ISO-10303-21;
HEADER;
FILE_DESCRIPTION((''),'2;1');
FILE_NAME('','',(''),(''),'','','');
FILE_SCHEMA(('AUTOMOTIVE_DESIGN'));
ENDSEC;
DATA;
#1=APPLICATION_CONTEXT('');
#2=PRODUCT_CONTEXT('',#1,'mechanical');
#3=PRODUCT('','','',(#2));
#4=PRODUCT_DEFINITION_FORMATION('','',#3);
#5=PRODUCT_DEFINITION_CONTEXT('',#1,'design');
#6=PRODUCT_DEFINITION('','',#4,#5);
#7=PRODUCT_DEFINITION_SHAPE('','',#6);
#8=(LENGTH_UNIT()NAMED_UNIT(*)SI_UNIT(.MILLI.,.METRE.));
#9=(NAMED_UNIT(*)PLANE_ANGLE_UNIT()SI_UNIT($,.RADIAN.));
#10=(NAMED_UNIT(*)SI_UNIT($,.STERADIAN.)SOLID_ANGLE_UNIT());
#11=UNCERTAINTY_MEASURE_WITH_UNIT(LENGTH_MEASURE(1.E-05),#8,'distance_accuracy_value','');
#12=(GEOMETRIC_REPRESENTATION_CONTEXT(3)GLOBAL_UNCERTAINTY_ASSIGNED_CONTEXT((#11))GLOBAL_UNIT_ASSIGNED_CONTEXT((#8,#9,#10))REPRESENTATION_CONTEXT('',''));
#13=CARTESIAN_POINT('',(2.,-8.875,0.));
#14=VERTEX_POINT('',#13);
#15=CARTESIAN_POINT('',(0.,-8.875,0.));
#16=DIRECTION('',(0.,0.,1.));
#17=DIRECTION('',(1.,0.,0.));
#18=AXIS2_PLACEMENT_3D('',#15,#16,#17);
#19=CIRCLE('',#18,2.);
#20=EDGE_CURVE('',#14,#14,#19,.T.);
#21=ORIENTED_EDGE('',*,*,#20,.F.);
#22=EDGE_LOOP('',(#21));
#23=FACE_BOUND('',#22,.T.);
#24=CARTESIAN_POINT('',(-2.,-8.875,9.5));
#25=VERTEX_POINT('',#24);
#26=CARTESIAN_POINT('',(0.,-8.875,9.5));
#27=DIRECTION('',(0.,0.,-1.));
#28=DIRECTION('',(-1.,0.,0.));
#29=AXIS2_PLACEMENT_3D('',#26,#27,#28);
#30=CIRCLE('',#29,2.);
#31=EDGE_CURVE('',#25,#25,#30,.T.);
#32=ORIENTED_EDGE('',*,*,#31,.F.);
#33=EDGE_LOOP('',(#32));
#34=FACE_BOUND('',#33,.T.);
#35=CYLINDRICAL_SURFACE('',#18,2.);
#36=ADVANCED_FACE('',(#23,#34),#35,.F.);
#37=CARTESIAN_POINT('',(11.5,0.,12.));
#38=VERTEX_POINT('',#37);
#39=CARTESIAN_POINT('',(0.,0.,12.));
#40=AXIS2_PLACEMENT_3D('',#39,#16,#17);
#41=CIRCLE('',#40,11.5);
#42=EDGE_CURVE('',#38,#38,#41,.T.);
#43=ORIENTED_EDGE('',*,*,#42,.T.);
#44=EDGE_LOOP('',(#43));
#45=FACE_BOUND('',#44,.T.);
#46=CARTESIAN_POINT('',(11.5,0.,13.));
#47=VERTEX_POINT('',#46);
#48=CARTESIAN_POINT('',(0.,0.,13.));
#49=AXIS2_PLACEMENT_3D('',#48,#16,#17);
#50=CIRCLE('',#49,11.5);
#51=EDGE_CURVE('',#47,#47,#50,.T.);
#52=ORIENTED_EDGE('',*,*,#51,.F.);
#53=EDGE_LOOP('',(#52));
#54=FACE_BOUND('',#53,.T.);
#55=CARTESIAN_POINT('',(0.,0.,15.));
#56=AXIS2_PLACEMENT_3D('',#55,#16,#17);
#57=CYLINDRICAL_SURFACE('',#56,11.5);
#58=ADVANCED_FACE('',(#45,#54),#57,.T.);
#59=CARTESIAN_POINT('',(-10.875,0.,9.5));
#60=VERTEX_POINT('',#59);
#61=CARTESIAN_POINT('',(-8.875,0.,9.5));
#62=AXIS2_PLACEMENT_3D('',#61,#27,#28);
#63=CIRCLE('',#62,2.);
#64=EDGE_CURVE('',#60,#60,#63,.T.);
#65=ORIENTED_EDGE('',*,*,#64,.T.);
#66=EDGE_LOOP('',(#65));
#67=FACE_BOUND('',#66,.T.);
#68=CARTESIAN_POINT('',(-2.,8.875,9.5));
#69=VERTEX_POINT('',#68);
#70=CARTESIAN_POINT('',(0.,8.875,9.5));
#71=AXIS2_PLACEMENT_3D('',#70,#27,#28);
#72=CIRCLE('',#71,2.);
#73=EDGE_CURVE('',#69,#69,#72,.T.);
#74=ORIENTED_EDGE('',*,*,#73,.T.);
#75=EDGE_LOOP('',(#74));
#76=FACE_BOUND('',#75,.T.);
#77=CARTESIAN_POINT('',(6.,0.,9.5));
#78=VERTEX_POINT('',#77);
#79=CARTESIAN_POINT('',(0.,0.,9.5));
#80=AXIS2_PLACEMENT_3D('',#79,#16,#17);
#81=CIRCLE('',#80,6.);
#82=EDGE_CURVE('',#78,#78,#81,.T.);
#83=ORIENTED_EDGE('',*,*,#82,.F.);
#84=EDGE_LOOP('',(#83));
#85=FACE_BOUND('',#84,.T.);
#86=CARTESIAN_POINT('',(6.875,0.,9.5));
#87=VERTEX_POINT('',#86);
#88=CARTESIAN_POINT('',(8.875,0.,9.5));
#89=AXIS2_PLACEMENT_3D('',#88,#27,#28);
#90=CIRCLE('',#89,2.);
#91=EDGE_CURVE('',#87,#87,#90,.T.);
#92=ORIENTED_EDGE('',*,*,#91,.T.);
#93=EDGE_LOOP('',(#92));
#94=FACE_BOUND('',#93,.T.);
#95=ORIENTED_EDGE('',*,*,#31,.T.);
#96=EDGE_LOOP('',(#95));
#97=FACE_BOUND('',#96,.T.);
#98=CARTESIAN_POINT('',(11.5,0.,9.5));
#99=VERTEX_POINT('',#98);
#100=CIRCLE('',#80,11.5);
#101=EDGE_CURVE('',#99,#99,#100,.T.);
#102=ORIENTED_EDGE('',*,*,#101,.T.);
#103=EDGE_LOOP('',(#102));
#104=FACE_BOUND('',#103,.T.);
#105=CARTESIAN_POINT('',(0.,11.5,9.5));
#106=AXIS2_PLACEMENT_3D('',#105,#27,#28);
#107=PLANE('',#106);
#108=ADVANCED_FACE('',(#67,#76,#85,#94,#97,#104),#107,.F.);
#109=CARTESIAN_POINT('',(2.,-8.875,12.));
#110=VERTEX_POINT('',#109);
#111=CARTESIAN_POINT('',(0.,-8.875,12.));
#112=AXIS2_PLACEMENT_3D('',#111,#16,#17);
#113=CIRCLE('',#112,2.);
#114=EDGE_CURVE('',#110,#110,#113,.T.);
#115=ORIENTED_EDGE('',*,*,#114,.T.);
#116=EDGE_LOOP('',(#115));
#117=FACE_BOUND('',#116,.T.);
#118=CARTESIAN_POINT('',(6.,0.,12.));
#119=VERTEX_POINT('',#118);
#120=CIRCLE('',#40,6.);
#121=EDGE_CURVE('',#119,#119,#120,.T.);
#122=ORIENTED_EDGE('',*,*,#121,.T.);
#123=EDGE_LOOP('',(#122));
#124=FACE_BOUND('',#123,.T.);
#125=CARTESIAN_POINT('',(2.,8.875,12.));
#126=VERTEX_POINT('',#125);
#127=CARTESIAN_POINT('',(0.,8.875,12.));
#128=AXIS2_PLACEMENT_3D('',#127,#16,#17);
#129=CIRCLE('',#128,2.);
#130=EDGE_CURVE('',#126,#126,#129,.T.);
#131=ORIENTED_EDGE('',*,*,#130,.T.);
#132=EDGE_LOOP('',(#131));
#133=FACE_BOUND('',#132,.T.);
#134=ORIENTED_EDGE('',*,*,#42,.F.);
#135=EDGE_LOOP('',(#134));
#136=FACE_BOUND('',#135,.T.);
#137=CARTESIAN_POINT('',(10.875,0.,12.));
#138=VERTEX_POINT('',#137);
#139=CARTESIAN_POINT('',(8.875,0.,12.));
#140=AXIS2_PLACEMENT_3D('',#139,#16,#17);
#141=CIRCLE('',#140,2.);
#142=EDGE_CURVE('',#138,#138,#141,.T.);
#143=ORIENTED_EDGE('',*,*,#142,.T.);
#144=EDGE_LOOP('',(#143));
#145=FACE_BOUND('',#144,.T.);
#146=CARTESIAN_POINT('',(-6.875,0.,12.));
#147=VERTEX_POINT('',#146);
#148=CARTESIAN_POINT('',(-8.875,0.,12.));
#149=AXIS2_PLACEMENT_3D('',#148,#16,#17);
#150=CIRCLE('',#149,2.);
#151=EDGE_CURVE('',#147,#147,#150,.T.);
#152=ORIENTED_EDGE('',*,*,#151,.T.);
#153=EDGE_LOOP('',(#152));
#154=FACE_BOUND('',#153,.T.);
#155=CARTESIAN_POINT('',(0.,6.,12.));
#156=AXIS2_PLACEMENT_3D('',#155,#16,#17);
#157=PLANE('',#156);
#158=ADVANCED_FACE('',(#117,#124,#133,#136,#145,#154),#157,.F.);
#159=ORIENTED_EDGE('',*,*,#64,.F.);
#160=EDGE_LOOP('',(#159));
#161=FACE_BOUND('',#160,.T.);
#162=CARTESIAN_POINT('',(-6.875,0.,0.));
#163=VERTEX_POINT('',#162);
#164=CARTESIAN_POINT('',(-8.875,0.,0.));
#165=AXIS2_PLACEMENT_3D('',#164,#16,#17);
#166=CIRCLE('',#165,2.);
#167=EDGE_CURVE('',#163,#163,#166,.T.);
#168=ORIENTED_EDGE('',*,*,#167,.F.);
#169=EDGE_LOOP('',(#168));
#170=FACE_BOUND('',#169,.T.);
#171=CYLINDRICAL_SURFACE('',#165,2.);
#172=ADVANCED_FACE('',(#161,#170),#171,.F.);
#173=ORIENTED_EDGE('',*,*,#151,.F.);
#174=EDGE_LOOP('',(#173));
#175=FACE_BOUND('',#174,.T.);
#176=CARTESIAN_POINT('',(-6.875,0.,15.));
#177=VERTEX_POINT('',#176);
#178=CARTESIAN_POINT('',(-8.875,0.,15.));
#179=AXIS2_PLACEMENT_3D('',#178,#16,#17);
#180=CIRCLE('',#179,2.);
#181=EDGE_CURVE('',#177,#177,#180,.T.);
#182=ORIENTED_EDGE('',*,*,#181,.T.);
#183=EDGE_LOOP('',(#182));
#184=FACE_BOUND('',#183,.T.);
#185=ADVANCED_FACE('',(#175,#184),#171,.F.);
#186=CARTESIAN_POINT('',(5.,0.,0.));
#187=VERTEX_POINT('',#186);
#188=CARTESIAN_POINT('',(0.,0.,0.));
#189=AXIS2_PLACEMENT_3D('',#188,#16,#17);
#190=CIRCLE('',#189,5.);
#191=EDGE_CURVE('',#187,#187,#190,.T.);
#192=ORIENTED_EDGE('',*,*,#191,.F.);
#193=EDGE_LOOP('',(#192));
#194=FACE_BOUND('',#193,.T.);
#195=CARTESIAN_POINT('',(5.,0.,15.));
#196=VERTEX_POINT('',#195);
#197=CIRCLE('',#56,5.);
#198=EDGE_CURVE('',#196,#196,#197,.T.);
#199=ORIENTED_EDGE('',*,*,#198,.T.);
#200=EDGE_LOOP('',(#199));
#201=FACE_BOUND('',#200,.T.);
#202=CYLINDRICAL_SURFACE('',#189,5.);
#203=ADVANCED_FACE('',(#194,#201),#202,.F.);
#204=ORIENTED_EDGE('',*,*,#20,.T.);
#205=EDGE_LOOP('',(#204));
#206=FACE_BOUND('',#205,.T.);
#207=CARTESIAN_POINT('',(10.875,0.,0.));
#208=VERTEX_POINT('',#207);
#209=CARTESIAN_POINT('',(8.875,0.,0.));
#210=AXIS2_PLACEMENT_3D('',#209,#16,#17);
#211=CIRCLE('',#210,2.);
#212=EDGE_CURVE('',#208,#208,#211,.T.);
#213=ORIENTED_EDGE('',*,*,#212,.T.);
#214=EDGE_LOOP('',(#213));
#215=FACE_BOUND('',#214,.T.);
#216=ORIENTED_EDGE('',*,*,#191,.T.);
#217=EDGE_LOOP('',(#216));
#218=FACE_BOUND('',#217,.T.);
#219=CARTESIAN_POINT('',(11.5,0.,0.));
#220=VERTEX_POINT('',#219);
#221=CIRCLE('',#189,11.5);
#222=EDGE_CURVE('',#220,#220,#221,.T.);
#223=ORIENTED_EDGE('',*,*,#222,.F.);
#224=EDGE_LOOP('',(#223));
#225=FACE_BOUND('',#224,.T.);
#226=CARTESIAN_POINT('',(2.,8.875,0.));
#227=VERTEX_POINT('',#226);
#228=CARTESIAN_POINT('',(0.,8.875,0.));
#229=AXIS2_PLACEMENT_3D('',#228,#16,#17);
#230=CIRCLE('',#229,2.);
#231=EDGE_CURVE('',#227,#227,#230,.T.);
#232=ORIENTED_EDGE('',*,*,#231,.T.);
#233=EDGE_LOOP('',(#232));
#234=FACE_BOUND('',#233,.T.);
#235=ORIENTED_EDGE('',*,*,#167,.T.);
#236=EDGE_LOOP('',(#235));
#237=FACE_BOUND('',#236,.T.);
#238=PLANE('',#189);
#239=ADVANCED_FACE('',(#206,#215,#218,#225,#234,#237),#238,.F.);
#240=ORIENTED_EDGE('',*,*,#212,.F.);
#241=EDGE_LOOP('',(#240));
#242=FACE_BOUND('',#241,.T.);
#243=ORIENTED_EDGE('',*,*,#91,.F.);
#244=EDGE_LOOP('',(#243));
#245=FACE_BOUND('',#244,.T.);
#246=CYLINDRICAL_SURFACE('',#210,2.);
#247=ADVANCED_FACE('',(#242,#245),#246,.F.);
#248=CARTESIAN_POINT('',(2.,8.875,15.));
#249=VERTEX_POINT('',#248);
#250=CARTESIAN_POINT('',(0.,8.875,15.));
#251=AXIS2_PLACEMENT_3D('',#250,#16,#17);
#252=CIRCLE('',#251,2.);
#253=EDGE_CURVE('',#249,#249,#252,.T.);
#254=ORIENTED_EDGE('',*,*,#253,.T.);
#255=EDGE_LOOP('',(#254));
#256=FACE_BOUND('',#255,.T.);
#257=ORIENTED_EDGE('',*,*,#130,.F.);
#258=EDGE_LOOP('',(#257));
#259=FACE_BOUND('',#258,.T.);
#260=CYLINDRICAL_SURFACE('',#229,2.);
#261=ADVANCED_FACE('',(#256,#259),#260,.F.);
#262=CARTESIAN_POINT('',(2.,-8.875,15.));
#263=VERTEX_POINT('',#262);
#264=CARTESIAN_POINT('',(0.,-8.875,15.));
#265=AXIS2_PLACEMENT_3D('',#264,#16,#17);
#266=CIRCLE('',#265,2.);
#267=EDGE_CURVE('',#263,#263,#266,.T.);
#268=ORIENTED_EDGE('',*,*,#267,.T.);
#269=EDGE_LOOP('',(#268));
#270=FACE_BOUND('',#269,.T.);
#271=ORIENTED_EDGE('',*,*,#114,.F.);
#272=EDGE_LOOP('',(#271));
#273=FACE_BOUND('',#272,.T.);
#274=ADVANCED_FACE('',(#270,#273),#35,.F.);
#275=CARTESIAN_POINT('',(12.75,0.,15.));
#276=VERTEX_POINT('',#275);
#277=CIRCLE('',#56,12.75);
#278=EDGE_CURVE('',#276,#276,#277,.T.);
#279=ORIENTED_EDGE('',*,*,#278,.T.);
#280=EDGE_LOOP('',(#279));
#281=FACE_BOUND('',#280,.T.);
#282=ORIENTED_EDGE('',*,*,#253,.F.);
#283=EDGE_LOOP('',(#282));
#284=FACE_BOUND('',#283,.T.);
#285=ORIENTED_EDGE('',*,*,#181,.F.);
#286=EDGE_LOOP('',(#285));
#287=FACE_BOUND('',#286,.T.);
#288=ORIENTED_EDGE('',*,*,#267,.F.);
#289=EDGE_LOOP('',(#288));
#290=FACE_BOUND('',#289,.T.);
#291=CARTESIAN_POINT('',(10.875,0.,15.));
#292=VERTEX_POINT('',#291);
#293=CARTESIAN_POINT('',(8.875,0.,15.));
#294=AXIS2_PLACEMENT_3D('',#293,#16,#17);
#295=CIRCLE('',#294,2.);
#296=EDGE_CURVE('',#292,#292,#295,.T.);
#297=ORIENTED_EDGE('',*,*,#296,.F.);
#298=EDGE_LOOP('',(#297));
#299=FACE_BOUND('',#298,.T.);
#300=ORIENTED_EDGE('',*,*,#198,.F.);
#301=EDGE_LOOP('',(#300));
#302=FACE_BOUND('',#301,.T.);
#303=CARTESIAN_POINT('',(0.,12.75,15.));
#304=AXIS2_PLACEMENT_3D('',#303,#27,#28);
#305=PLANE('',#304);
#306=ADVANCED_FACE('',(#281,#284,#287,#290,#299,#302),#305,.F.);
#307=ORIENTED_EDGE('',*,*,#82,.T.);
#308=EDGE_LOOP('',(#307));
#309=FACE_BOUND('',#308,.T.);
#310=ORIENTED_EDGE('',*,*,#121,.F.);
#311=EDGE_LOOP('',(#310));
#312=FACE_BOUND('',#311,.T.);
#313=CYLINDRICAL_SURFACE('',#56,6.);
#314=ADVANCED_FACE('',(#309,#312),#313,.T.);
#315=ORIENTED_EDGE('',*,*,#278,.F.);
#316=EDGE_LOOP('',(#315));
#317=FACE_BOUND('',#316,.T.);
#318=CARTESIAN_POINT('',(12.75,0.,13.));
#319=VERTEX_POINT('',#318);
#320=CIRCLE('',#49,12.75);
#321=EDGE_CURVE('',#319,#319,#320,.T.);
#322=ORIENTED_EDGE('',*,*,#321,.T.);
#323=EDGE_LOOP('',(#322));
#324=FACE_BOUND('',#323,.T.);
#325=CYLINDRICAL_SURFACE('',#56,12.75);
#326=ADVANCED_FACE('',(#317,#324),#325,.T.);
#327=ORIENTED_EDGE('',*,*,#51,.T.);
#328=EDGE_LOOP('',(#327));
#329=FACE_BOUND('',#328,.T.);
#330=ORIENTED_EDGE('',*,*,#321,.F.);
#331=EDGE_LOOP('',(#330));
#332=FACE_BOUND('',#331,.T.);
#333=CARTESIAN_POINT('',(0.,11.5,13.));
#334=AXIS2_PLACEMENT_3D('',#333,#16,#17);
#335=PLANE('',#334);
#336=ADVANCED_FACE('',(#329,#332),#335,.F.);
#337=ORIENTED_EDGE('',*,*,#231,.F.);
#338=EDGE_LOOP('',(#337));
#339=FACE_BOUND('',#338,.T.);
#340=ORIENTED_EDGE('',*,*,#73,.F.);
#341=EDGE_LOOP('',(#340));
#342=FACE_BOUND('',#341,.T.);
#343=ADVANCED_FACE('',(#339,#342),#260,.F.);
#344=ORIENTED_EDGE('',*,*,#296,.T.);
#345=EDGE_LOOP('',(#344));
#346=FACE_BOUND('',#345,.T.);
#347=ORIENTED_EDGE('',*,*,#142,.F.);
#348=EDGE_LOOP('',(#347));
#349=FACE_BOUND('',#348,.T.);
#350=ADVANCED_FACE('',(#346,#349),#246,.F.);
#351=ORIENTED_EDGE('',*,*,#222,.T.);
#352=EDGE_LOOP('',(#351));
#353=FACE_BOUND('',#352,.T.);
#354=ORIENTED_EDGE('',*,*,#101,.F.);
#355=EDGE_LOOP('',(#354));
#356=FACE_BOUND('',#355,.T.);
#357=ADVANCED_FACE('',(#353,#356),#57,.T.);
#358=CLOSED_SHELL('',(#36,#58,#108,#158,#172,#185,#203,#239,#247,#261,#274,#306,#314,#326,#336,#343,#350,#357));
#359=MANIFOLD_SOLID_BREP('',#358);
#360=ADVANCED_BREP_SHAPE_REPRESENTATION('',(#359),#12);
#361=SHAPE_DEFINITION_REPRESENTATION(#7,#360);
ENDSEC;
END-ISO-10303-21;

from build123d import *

# Parameters (mm, degrees)
SKETCH2_R          = 5
CUT_EXTRUDE1_DEPTH = 24.454743657
SKETCH3_R          = 2
CUT_EXTRUDE2_DEPTH = 24.454743657


with BuildPart() as part:
    # Sketch1 → Revolve1 (revolve)
    with BuildSketch(Plane(origin=(0, 0, 0), x_dir=(0, 0, -1), z_dir=(1, 0, 0)), mode=Mode.PRIVATE) as revolve1_sk:
        Polygon((0, 0), (0, 11.5), (-9.5, 11.5), (-9.5, 6), (-12, 6), (-12, 11.5), (-13, 11.5), (-13, 12.75), (-15, 12.75), (-15, 0), align=None)
    revolve(revolve1_sk.sketch.rotate(Axis((0, 0, 15), (0, 0, -1)), 90), axis=Axis((0, 0, 15), (0, 0, -1)))

    # Sketch2 → Cut-Extrude1 (cut, through all)
    with BuildSketch(Plane.XY.offset(15)):
        Circle(SKETCH2_R)
    extrude(amount=-CUT_EXTRUDE1_DEPTH, mode=Mode.SUBTRACT)

    # Sketch3 → Cut-Extrude2 (cut, through all)
    with BuildSketch(Plane.XY.offset(15)):
        with Locations((0, 8.875)):
            Circle(SKETCH3_R)
        with Locations((8.875, 0)):
            Circle(SKETCH3_R)
        with Locations((0, -8.875)):
            Circle(SKETCH3_R)
        with Locations((-8.875, 0)):
            Circle(SKETCH3_R)
    extrude(amount=-CUT_EXTRUDE2_DEPTH, mode=Mode.SUBTRACT)


solid = part.part
